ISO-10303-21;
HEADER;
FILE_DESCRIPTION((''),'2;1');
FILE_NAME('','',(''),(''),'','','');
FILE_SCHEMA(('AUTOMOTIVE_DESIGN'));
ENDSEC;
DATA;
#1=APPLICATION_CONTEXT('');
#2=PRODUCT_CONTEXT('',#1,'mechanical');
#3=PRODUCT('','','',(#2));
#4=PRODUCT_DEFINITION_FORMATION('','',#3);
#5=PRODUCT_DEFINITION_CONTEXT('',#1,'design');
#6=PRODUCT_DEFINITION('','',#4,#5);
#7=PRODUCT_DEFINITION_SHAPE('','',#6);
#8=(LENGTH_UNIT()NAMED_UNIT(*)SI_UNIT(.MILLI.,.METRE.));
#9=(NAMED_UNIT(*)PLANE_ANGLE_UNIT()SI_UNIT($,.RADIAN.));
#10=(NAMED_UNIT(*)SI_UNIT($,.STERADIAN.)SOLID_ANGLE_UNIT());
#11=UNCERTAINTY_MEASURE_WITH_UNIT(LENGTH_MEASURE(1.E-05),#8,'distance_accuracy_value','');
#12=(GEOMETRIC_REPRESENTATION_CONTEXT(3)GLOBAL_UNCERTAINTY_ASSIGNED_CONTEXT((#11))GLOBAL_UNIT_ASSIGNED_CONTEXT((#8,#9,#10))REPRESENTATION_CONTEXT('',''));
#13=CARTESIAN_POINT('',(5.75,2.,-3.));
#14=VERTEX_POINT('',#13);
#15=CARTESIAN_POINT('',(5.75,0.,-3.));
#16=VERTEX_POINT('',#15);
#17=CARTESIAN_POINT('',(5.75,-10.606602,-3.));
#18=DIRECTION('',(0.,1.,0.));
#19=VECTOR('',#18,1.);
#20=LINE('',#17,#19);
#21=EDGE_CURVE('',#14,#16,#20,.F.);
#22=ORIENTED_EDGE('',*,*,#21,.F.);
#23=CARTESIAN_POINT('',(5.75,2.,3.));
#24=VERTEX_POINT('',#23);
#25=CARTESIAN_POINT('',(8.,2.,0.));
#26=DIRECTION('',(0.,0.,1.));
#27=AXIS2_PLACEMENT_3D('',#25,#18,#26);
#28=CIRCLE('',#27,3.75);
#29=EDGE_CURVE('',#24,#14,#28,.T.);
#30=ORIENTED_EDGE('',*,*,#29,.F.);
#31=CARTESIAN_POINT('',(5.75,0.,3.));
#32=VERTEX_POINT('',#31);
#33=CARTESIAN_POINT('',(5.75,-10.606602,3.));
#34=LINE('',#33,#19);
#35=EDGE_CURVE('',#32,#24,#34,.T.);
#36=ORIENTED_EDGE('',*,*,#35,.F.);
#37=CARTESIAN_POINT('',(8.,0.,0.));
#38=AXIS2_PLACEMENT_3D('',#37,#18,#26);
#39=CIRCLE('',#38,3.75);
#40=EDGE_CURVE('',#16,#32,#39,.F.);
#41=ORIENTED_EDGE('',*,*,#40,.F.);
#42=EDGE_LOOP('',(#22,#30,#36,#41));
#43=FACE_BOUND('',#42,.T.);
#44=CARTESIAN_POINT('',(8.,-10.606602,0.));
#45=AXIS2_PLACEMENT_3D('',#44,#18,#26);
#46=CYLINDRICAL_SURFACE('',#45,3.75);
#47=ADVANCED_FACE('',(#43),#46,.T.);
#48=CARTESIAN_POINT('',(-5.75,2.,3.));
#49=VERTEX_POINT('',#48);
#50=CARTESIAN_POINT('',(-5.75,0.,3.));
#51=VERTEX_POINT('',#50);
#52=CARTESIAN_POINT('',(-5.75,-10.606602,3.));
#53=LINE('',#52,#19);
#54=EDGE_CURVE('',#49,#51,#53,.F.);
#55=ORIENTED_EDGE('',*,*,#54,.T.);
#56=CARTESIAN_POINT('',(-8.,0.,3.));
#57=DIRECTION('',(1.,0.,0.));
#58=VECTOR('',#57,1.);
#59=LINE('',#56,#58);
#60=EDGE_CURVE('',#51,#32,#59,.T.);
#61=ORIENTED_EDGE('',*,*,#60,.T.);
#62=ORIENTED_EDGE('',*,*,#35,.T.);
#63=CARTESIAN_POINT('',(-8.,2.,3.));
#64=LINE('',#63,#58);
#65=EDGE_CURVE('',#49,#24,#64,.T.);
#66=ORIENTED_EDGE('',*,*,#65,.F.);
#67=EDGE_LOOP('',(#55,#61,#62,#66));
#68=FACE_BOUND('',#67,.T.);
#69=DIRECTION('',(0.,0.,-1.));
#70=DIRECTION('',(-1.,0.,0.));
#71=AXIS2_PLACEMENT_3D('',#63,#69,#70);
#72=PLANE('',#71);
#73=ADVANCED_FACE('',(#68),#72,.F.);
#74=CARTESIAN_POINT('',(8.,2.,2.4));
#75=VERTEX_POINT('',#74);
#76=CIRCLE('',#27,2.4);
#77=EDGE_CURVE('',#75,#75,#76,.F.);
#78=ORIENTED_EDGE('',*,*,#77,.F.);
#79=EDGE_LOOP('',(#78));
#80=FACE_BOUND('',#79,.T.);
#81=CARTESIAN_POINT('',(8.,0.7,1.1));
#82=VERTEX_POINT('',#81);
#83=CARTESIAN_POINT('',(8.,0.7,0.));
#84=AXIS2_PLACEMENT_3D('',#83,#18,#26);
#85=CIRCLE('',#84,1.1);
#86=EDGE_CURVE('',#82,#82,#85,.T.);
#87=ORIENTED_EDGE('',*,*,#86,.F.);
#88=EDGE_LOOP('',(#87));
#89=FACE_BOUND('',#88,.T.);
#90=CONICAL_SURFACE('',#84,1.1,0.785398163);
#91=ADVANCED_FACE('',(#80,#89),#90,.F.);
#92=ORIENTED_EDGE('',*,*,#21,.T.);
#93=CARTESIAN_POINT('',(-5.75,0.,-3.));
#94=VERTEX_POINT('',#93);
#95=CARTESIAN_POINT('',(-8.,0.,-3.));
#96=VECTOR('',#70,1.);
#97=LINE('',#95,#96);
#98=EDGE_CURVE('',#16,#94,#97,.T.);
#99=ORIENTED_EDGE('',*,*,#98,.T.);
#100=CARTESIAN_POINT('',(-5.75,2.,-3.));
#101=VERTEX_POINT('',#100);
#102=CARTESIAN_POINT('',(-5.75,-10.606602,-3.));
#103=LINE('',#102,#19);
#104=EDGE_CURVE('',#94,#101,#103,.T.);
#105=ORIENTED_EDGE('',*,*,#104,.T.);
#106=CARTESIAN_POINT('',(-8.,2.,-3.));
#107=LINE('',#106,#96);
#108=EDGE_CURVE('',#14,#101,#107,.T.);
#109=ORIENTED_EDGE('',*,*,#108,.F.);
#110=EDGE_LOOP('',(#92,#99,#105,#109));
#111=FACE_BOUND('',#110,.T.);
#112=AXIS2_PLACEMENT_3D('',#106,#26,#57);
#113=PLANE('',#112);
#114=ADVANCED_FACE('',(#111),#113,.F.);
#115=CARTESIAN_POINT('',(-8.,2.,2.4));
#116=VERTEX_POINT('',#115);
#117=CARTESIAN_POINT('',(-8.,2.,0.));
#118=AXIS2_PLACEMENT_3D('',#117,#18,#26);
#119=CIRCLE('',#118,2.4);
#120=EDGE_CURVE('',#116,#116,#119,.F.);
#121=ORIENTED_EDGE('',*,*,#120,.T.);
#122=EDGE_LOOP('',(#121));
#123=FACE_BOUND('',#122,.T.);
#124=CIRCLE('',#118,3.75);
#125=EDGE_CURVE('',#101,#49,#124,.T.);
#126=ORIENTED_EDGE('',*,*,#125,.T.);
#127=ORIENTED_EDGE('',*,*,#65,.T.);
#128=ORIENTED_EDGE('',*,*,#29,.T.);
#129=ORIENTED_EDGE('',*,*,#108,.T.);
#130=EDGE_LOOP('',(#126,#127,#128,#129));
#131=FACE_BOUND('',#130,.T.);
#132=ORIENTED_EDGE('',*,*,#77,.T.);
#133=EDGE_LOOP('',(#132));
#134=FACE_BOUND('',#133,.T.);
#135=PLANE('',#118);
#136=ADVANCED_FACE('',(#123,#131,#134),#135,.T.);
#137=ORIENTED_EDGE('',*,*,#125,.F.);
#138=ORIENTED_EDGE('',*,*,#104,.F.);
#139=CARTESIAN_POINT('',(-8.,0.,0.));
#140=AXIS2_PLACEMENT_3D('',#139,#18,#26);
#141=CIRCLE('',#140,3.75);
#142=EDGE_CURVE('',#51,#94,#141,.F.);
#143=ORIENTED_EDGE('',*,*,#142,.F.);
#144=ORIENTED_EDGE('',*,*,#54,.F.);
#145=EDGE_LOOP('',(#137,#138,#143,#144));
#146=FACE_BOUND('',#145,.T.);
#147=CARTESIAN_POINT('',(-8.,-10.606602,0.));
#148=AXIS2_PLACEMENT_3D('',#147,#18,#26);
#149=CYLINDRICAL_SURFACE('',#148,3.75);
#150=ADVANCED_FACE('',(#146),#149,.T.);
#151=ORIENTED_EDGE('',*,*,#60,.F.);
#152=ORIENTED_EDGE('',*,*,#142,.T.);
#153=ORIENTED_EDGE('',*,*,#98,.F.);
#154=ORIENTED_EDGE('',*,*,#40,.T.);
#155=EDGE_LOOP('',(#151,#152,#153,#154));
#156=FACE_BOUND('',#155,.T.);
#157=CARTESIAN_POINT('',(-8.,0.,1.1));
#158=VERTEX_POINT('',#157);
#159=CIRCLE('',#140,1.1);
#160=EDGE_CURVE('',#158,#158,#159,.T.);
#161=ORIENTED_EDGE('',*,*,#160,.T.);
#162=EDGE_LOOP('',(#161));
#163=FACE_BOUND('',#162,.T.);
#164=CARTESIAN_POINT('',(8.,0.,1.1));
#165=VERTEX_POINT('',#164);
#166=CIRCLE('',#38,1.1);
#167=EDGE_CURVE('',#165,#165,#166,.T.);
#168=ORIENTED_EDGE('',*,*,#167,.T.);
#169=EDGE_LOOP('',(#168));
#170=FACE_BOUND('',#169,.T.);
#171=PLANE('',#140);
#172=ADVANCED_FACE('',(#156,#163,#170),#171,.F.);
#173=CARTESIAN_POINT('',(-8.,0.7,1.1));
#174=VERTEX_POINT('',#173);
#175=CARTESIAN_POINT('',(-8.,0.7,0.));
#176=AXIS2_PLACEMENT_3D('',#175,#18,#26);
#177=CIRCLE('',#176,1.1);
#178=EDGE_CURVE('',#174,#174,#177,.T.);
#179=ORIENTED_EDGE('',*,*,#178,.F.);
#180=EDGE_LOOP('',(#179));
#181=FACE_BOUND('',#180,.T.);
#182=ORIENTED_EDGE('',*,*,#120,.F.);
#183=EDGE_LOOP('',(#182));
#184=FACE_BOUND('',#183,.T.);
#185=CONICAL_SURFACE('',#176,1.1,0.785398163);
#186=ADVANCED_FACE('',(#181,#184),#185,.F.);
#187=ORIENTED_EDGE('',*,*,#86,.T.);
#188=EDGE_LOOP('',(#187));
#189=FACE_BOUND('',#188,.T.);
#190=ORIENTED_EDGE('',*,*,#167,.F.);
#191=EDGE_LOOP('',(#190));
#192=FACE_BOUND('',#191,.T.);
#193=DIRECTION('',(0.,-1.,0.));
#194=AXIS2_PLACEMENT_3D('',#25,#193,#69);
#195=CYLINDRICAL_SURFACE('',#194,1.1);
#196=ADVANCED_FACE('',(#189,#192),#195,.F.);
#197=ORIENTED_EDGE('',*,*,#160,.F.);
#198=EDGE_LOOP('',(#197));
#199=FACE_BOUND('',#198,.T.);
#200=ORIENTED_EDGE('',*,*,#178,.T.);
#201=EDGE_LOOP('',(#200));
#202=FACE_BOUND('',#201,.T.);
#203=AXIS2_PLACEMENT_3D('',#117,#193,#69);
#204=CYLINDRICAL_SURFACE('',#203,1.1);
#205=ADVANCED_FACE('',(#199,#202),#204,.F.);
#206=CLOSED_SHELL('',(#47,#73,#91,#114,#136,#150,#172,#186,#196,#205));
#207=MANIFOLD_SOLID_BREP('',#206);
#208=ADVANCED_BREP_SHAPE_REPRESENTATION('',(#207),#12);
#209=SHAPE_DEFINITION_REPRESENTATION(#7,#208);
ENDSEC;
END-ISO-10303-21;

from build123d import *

# Parameters (mm, degrees)
SKETCH1_R           = 1.1
BOSS_EXTRUDE1_DEPTH = 2
BOSS_EXTRUDE3_START = -2
SKETCH3_R           = 3.75
SKETCH3_R_2         = 1.1
BOSS_EXTRUDE3_DEPTH = 2
CHAMFER1_SIZE       = 1.3


with BuildPart() as part:
    # Sketch1 → Boss-Extrude1 (new body)
    with BuildSketch(Plane(origin=(0, 0, 0), x_dir=(1, 0, 0), z_dir=(0, 1, 0))):
        with BuildLine():
            Line((-8, 3), (8, 3))
            ThreePointArc((8, 3), (11, 0), (8, -3))
            Line((8, -3), (-8, -3))
            ThreePointArc((-8, -3), (-11, 0), (-8, 3))
        make_face()
        with Locations(Location((-8, 0, 0), (0, 0, 270))):
            Circle(SKETCH1_R, mode=Mode.SUBTRACT)
        with Locations(Location((8, 0, 0), (0, 0, 270))):
            Circle(SKETCH1_R, mode=Mode.SUBTRACT)
    extrude(amount=BOSS_EXTRUDE1_DEPTH)

    # Sketch3 → Boss-Extrude3 (add)
    # profile 1 of 2: a face of its own
    with BuildSketch(Plane(origin=(0, 2, 0), x_dir=(1, 0, 0), z_dir=(0, 1, 0)).offset(BOSS_EXTRUDE3_START)):
        with Locations((-8, 0)):
            Circle(SKETCH3_R)
        with Locations(Location((-8, 0, 0), (0, 0, 270))):
            Circle(SKETCH3_R_2, mode=Mode.SUBTRACT)
    # profile 2 of 2: a face of its own
    with BuildSketch(Plane(origin=(0, 2, 0), x_dir=(1, 0, 0), z_dir=(0, 1, 0)).offset(BOSS_EXTRUDE3_START)):
        with Locations((8, 0)):
            Circle(SKETCH3_R)
        with Locations(Location((8, 0, 0), (0, 0, 270))):
            Circle(SKETCH3_R_2, mode=Mode.SUBTRACT)
    extrude(amount=BOSS_EXTRUDE3_DEPTH)

    # Chamfer1
    chamfer1_edges = [part.edges().sort_by_distance(p)[0] for p in [
        (-8, 2, -1.1),
        (8, 2, -1.1),
    ]]
    chamfer(chamfer1_edges, length=CHAMFER1_SIZE)


solid = part.part
